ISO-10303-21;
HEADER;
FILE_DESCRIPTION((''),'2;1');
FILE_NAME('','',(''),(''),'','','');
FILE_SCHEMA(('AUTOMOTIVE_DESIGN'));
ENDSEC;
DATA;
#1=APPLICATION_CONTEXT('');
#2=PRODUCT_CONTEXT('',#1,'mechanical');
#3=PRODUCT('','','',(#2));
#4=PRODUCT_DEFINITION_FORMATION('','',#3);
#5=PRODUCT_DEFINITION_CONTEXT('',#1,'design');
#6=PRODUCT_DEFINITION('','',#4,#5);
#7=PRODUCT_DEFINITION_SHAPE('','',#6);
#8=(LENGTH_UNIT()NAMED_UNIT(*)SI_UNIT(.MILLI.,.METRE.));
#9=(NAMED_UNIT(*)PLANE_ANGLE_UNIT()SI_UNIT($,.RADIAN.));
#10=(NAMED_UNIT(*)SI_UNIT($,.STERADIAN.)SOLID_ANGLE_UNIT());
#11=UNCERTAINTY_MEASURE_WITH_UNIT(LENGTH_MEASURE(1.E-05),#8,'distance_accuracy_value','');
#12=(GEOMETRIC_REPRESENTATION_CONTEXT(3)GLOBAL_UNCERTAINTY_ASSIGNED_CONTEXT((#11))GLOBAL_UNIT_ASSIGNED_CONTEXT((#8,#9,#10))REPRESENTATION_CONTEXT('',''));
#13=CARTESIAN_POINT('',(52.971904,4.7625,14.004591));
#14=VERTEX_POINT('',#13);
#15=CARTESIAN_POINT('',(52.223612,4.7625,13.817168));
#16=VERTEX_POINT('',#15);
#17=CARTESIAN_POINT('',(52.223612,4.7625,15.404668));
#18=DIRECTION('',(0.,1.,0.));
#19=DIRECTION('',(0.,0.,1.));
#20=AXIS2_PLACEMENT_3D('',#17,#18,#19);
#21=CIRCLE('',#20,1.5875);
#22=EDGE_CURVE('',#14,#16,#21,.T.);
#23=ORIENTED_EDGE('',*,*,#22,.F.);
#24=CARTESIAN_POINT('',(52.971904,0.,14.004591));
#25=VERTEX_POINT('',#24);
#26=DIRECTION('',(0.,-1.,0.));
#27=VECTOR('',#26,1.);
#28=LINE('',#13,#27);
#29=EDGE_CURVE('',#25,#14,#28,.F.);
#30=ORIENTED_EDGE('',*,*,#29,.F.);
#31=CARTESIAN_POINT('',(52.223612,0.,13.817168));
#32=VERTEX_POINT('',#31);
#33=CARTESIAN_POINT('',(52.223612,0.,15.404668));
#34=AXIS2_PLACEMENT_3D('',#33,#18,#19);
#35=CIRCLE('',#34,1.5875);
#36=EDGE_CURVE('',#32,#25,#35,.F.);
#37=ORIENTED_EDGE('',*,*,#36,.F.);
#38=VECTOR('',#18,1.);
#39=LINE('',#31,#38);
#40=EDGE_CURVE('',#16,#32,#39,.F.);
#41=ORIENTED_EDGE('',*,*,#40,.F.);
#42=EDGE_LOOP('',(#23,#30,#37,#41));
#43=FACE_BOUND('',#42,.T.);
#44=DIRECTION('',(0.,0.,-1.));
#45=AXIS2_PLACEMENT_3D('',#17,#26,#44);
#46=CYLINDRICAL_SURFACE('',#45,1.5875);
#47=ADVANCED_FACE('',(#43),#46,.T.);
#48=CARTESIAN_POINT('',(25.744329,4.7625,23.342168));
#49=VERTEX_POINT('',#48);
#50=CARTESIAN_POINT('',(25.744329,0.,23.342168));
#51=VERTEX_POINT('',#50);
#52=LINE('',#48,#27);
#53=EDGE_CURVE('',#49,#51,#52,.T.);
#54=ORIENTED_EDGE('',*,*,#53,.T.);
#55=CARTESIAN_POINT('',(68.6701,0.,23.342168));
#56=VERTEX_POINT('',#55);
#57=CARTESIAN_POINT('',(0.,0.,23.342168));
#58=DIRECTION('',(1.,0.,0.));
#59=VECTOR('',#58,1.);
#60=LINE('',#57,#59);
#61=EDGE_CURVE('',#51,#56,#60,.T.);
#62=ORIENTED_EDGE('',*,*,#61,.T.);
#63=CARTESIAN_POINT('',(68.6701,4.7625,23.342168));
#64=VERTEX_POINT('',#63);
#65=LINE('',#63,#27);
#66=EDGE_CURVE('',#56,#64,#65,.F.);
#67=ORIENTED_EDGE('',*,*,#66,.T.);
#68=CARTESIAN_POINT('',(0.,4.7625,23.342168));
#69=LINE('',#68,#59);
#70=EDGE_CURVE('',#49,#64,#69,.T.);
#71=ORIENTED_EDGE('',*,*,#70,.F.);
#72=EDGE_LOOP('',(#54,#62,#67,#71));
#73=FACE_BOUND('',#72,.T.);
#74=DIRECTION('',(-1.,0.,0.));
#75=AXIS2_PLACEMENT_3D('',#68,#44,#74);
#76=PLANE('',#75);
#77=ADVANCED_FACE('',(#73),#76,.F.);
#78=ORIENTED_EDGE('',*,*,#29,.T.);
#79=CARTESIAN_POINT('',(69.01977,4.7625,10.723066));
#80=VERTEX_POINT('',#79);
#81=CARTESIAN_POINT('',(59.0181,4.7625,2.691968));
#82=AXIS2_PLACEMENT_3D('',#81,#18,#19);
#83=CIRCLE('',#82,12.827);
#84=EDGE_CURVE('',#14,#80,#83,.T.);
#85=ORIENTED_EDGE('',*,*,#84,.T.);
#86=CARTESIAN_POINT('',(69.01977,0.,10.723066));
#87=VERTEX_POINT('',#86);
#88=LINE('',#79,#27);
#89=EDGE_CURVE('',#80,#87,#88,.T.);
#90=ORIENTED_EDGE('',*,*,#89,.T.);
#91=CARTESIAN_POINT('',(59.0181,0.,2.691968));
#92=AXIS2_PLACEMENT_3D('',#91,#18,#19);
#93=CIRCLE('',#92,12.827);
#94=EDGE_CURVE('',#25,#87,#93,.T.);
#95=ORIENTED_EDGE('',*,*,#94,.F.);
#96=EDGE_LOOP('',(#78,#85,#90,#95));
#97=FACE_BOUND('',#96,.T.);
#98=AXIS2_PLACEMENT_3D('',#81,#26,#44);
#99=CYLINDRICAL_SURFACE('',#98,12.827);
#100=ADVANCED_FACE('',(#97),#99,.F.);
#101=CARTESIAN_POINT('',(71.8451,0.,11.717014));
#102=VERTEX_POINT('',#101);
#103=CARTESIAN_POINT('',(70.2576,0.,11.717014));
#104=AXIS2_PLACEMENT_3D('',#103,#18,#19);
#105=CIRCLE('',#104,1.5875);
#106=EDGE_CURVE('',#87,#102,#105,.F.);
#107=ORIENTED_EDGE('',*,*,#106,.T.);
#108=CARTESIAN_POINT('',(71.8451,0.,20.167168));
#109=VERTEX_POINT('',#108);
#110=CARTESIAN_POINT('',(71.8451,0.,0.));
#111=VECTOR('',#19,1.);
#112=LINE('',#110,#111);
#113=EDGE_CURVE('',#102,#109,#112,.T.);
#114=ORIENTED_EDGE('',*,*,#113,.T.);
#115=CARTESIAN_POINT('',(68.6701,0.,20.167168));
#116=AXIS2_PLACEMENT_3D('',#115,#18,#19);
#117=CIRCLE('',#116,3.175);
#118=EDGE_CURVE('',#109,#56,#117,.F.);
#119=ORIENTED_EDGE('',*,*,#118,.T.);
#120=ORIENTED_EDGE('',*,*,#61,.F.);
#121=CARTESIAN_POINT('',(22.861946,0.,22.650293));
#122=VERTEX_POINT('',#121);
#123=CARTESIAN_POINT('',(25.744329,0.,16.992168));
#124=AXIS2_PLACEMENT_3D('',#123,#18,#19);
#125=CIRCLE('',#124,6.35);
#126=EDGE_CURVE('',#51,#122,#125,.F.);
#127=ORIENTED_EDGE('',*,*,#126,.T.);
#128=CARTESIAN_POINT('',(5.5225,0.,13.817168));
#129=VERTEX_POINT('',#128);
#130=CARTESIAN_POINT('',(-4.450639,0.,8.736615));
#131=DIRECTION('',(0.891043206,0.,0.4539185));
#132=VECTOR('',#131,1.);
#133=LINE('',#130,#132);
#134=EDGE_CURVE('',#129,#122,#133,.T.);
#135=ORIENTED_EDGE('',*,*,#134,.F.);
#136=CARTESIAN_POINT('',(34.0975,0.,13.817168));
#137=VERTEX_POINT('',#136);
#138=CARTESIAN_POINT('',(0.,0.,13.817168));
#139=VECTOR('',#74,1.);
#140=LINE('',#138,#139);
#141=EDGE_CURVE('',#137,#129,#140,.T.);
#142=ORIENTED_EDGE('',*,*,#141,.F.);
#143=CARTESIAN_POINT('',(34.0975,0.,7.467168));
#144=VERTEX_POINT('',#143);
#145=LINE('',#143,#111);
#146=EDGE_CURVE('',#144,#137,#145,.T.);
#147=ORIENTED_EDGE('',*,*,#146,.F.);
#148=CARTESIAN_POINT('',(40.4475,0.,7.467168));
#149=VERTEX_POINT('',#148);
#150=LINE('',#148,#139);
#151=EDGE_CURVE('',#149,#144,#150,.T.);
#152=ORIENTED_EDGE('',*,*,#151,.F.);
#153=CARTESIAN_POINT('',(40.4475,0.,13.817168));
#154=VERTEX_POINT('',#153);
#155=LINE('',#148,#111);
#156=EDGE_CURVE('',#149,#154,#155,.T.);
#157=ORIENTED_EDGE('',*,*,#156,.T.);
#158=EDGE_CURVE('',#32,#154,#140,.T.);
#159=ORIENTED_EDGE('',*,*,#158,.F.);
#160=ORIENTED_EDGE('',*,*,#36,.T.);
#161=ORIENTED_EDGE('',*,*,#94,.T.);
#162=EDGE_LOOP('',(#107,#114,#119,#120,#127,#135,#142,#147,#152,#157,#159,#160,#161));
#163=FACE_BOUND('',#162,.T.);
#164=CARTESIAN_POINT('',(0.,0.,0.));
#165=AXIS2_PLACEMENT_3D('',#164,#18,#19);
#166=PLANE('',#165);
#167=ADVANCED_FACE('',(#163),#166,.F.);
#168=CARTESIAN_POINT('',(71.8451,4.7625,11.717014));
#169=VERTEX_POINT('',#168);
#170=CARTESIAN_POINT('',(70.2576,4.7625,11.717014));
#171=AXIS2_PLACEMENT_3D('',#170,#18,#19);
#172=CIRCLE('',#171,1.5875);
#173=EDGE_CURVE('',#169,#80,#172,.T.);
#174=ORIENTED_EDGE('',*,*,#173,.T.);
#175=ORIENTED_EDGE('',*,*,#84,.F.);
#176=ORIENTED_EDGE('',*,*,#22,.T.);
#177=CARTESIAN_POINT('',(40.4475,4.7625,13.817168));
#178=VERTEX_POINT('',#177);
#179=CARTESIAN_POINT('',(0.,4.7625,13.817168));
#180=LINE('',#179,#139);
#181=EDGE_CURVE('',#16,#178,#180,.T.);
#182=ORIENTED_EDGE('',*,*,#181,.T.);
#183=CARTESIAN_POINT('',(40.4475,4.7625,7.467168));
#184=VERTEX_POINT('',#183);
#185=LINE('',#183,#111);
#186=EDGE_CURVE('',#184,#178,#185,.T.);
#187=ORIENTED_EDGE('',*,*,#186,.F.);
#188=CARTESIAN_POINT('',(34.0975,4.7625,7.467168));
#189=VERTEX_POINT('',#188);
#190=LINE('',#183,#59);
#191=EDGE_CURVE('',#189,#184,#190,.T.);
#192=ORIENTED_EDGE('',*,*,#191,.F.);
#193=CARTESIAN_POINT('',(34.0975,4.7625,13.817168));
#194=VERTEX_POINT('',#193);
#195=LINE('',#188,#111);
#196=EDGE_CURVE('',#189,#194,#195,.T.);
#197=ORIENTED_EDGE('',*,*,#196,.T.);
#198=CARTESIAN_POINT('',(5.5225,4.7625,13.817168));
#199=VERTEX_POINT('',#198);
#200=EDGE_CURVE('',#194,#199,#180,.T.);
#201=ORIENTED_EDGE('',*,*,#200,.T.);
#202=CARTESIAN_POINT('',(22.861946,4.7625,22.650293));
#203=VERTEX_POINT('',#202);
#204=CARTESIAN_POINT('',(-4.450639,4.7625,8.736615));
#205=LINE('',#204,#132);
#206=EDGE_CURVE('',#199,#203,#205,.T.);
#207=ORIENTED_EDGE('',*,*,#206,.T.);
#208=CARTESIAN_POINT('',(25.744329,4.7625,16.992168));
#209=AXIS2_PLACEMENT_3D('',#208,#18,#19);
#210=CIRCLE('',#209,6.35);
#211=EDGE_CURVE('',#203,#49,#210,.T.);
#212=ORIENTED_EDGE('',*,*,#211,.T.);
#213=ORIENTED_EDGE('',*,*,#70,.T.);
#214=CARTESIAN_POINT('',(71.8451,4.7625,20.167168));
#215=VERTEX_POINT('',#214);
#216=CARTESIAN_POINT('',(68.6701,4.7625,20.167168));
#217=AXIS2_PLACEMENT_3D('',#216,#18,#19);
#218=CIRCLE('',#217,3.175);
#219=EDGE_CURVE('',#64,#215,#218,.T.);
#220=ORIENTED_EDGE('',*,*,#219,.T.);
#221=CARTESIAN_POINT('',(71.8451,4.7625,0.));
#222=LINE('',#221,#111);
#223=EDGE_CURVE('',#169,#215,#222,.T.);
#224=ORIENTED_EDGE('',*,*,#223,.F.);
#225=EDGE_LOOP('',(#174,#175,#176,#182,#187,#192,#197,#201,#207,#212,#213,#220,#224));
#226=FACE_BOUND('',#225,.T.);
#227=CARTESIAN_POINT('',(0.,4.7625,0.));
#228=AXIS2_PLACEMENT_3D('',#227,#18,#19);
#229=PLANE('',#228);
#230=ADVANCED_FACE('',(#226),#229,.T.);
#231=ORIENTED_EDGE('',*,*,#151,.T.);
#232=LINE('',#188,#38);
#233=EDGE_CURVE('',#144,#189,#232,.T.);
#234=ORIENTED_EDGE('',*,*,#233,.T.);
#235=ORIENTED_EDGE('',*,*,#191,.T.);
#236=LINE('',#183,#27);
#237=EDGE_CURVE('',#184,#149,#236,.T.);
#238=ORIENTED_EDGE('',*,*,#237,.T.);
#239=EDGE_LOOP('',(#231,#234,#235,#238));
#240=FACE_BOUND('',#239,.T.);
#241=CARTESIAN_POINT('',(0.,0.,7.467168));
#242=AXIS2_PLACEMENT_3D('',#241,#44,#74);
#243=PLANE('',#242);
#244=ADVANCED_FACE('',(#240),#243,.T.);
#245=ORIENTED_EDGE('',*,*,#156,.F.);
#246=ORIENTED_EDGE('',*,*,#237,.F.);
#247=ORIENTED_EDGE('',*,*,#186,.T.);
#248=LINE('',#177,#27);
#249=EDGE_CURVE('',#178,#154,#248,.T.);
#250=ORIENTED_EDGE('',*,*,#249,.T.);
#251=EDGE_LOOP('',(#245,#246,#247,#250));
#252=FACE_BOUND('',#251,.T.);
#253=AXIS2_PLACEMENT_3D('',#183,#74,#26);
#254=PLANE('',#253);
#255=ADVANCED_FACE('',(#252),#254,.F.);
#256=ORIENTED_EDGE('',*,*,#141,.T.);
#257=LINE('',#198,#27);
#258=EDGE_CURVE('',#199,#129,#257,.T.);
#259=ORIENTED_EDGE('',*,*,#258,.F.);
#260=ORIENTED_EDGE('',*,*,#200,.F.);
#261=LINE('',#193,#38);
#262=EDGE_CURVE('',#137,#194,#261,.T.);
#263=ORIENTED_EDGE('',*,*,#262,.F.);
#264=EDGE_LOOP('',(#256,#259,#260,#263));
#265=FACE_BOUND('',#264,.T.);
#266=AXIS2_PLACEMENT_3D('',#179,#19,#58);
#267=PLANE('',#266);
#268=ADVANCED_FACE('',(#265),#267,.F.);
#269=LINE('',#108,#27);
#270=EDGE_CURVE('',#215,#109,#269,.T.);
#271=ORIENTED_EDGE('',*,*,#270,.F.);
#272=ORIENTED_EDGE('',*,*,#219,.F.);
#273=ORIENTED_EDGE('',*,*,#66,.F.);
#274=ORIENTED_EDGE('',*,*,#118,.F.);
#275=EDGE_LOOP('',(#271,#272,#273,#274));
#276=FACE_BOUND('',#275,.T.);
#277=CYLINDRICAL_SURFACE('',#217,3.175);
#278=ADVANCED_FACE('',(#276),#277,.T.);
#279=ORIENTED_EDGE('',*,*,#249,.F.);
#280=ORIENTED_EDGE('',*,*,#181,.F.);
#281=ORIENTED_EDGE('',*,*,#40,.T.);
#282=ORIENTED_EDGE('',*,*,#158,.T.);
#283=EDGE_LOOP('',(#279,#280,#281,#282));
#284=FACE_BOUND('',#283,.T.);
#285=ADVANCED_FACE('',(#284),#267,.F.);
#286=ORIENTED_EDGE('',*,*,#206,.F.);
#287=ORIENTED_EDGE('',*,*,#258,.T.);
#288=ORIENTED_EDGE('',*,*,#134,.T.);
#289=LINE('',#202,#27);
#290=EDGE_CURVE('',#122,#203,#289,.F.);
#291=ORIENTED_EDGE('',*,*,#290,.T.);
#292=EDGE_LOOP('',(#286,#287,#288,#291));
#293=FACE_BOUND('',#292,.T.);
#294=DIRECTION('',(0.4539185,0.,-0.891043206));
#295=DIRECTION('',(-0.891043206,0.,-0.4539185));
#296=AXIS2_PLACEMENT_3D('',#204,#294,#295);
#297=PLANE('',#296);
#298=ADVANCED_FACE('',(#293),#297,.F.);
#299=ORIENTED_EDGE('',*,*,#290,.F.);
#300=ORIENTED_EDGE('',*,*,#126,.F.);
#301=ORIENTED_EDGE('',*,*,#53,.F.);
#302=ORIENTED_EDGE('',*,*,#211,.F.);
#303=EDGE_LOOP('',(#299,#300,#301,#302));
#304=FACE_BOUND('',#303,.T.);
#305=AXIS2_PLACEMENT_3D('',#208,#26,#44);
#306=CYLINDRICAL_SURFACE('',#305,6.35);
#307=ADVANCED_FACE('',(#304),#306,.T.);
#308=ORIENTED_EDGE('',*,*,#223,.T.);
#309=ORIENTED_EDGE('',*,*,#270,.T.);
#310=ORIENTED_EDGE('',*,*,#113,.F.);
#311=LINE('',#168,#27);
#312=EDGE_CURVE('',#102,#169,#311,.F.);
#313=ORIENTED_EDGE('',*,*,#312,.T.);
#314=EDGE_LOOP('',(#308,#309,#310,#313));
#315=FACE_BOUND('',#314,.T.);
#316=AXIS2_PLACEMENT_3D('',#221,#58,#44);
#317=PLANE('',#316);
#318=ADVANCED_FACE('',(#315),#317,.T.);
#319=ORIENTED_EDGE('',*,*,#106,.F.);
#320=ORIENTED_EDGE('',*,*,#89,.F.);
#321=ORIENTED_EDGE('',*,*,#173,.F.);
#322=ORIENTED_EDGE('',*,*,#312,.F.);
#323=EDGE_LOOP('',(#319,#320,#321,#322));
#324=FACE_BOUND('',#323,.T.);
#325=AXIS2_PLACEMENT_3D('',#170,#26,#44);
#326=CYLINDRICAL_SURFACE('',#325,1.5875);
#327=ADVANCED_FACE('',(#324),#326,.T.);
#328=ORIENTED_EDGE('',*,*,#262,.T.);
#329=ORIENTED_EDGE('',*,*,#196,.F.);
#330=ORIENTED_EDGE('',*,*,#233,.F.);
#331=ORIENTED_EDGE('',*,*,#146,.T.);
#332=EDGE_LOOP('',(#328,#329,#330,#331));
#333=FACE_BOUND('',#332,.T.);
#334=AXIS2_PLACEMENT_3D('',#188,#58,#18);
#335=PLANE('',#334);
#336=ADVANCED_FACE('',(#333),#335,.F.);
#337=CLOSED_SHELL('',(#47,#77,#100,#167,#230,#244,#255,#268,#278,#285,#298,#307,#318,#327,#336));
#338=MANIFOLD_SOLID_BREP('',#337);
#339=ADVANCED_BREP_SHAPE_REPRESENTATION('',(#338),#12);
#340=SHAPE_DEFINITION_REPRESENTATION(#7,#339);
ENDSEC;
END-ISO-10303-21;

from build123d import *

# Parameters (mm, degrees)
BOSS_EXTRUDE1_DEPTH = 4.7625
FILLET1_R           = 1.5875
FILLET2_R           = 6.35
FILLET3_R           = 3.175
SKETCH6_W           = 6.35
SKETCH6_H           = 4.7625
BOSS_EXTRUDE2_DEPTH = 6.35


with BuildPart() as part:
    # Sketch1 → Boss-Extrude1 (new body)
    with BuildSketch(Plane(origin=(0, 0, 0), x_dir=(1, 0, 0), z_dir=(0, 1, 0))):
        with BuildLine():
            ThreePointArc((71.8451, -2.691968416), (65.44608311, -13.792101845), (52.633598926, -13.817168416))
            Line((52.633598926, -13.817168416), (5.5225, -13.817168416))
            Line((5.5225, -13.817168416), (24.2201, -23.342168416))
            Line((24.2201, -23.342168416), (71.8451, -23.342168416))
            Line((71.8451, -23.342168416), (71.8451, -2.691968416))
        make_face()
    extrude(amount=BOSS_EXTRUDE1_DEPTH)

    # Fillet1
    fillet1_edges = [part.edges().sort_by_distance(p)[0] for p in [
        (71.8451, 2.38125, 2.691968416),
        (52.633598926, 2.38125, 13.817168416),
    ]]
    fillet(fillet1_edges, radius=FILLET1_R)

    # Fillet2
    fillet2_edges = [part.edges().sort_by_distance(p)[0] for p in [
        (24.2201, 2.38125, 23.342168416),
    ]]
    fillet(fillet2_edges, radius=FILLET2_R)

    # Fillet3
    fillet3_edges = [part.edges().sort_by_distance(p)[0] for p in [
        (71.8451, 2.38125, 23.342168416),
    ]]
    fillet(fillet3_edges, radius=FILLET3_R)

    # Sketch6 → Boss-Extrude2 (add)
    with BuildSketch(Plane(origin=(0, 0, 13.817168416), x_dir=(-1, 0, 0), z_dir=(0, 0, -1))):
        with Locations((-37.2725, 2.38125)):
            Rectangle(SKETCH6_W, SKETCH6_H)
    extrude(amount=BOSS_EXTRUDE2_DEPTH)


solid = part.part
